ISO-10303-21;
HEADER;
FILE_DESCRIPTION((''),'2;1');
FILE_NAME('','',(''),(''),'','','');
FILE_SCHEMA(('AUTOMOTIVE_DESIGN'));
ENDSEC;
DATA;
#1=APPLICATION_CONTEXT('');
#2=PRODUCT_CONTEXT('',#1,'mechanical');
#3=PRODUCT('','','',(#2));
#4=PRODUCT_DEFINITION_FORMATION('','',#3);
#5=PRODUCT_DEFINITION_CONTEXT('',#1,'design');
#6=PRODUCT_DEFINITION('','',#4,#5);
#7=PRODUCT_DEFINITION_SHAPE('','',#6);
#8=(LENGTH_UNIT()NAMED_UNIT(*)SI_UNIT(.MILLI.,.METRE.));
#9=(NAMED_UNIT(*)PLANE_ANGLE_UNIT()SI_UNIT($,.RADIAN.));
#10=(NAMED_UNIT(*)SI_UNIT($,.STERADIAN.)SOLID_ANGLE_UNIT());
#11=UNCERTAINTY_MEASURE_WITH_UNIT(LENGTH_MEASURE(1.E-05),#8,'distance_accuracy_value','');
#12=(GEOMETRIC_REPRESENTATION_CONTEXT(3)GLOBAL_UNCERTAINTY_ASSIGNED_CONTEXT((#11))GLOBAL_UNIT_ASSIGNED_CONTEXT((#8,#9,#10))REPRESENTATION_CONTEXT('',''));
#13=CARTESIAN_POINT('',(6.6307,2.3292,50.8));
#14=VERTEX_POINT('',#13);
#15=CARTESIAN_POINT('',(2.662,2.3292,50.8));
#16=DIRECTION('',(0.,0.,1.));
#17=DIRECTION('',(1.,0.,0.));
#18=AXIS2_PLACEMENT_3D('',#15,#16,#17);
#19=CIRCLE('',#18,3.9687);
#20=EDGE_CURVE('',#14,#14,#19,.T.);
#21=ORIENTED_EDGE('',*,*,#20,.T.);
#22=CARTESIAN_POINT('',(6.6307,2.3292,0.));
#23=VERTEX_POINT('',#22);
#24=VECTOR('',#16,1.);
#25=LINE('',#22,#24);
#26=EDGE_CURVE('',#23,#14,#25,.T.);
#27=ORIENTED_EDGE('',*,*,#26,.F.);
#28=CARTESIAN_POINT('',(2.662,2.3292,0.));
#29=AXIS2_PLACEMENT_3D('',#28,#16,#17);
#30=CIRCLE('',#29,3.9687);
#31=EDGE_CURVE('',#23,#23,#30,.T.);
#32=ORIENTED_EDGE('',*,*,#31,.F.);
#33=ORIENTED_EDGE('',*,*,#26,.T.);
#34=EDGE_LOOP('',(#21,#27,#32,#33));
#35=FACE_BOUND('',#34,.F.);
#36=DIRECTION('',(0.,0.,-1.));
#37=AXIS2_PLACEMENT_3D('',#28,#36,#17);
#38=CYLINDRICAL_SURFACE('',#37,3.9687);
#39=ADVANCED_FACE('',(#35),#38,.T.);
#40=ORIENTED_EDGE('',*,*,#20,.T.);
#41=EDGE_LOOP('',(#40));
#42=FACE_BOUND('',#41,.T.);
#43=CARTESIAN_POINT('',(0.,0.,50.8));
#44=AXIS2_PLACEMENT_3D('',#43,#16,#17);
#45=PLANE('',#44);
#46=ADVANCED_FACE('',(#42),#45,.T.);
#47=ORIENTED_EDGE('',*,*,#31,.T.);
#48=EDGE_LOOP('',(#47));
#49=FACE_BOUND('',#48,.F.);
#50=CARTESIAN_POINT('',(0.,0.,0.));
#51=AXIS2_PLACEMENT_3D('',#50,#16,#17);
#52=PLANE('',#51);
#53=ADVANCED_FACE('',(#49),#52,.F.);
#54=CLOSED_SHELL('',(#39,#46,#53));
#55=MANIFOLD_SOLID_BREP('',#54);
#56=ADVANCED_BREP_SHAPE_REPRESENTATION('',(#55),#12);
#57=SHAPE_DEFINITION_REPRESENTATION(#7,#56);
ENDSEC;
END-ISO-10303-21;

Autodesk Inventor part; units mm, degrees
ref_plane "YZ Plane" through (0, 0, 0) normal (1, 0, 0) x (0, 1, 0)
ref_plane "XZ Plane" through (0, 0, 0) normal (0, 1, 0) x (-1, 0, 0)
ref_plane "XY Plane" through (0, 0, 0) normal (0, 0, 1) x (1, 0, 0)
sketch "Sketch1" plane through (0, 0, 0) normal (0, 0, 1) x (1, 0, 0)
  circle A0 centre (2.662, 2.3292) radius 3.9687
  point P0 (0, 0)
  dimension "d0" = 7.9375
  dimension "d0" = 7.9375
extrude "Extrusion1" add sketch "Sketch1" along normal blind 50.8
